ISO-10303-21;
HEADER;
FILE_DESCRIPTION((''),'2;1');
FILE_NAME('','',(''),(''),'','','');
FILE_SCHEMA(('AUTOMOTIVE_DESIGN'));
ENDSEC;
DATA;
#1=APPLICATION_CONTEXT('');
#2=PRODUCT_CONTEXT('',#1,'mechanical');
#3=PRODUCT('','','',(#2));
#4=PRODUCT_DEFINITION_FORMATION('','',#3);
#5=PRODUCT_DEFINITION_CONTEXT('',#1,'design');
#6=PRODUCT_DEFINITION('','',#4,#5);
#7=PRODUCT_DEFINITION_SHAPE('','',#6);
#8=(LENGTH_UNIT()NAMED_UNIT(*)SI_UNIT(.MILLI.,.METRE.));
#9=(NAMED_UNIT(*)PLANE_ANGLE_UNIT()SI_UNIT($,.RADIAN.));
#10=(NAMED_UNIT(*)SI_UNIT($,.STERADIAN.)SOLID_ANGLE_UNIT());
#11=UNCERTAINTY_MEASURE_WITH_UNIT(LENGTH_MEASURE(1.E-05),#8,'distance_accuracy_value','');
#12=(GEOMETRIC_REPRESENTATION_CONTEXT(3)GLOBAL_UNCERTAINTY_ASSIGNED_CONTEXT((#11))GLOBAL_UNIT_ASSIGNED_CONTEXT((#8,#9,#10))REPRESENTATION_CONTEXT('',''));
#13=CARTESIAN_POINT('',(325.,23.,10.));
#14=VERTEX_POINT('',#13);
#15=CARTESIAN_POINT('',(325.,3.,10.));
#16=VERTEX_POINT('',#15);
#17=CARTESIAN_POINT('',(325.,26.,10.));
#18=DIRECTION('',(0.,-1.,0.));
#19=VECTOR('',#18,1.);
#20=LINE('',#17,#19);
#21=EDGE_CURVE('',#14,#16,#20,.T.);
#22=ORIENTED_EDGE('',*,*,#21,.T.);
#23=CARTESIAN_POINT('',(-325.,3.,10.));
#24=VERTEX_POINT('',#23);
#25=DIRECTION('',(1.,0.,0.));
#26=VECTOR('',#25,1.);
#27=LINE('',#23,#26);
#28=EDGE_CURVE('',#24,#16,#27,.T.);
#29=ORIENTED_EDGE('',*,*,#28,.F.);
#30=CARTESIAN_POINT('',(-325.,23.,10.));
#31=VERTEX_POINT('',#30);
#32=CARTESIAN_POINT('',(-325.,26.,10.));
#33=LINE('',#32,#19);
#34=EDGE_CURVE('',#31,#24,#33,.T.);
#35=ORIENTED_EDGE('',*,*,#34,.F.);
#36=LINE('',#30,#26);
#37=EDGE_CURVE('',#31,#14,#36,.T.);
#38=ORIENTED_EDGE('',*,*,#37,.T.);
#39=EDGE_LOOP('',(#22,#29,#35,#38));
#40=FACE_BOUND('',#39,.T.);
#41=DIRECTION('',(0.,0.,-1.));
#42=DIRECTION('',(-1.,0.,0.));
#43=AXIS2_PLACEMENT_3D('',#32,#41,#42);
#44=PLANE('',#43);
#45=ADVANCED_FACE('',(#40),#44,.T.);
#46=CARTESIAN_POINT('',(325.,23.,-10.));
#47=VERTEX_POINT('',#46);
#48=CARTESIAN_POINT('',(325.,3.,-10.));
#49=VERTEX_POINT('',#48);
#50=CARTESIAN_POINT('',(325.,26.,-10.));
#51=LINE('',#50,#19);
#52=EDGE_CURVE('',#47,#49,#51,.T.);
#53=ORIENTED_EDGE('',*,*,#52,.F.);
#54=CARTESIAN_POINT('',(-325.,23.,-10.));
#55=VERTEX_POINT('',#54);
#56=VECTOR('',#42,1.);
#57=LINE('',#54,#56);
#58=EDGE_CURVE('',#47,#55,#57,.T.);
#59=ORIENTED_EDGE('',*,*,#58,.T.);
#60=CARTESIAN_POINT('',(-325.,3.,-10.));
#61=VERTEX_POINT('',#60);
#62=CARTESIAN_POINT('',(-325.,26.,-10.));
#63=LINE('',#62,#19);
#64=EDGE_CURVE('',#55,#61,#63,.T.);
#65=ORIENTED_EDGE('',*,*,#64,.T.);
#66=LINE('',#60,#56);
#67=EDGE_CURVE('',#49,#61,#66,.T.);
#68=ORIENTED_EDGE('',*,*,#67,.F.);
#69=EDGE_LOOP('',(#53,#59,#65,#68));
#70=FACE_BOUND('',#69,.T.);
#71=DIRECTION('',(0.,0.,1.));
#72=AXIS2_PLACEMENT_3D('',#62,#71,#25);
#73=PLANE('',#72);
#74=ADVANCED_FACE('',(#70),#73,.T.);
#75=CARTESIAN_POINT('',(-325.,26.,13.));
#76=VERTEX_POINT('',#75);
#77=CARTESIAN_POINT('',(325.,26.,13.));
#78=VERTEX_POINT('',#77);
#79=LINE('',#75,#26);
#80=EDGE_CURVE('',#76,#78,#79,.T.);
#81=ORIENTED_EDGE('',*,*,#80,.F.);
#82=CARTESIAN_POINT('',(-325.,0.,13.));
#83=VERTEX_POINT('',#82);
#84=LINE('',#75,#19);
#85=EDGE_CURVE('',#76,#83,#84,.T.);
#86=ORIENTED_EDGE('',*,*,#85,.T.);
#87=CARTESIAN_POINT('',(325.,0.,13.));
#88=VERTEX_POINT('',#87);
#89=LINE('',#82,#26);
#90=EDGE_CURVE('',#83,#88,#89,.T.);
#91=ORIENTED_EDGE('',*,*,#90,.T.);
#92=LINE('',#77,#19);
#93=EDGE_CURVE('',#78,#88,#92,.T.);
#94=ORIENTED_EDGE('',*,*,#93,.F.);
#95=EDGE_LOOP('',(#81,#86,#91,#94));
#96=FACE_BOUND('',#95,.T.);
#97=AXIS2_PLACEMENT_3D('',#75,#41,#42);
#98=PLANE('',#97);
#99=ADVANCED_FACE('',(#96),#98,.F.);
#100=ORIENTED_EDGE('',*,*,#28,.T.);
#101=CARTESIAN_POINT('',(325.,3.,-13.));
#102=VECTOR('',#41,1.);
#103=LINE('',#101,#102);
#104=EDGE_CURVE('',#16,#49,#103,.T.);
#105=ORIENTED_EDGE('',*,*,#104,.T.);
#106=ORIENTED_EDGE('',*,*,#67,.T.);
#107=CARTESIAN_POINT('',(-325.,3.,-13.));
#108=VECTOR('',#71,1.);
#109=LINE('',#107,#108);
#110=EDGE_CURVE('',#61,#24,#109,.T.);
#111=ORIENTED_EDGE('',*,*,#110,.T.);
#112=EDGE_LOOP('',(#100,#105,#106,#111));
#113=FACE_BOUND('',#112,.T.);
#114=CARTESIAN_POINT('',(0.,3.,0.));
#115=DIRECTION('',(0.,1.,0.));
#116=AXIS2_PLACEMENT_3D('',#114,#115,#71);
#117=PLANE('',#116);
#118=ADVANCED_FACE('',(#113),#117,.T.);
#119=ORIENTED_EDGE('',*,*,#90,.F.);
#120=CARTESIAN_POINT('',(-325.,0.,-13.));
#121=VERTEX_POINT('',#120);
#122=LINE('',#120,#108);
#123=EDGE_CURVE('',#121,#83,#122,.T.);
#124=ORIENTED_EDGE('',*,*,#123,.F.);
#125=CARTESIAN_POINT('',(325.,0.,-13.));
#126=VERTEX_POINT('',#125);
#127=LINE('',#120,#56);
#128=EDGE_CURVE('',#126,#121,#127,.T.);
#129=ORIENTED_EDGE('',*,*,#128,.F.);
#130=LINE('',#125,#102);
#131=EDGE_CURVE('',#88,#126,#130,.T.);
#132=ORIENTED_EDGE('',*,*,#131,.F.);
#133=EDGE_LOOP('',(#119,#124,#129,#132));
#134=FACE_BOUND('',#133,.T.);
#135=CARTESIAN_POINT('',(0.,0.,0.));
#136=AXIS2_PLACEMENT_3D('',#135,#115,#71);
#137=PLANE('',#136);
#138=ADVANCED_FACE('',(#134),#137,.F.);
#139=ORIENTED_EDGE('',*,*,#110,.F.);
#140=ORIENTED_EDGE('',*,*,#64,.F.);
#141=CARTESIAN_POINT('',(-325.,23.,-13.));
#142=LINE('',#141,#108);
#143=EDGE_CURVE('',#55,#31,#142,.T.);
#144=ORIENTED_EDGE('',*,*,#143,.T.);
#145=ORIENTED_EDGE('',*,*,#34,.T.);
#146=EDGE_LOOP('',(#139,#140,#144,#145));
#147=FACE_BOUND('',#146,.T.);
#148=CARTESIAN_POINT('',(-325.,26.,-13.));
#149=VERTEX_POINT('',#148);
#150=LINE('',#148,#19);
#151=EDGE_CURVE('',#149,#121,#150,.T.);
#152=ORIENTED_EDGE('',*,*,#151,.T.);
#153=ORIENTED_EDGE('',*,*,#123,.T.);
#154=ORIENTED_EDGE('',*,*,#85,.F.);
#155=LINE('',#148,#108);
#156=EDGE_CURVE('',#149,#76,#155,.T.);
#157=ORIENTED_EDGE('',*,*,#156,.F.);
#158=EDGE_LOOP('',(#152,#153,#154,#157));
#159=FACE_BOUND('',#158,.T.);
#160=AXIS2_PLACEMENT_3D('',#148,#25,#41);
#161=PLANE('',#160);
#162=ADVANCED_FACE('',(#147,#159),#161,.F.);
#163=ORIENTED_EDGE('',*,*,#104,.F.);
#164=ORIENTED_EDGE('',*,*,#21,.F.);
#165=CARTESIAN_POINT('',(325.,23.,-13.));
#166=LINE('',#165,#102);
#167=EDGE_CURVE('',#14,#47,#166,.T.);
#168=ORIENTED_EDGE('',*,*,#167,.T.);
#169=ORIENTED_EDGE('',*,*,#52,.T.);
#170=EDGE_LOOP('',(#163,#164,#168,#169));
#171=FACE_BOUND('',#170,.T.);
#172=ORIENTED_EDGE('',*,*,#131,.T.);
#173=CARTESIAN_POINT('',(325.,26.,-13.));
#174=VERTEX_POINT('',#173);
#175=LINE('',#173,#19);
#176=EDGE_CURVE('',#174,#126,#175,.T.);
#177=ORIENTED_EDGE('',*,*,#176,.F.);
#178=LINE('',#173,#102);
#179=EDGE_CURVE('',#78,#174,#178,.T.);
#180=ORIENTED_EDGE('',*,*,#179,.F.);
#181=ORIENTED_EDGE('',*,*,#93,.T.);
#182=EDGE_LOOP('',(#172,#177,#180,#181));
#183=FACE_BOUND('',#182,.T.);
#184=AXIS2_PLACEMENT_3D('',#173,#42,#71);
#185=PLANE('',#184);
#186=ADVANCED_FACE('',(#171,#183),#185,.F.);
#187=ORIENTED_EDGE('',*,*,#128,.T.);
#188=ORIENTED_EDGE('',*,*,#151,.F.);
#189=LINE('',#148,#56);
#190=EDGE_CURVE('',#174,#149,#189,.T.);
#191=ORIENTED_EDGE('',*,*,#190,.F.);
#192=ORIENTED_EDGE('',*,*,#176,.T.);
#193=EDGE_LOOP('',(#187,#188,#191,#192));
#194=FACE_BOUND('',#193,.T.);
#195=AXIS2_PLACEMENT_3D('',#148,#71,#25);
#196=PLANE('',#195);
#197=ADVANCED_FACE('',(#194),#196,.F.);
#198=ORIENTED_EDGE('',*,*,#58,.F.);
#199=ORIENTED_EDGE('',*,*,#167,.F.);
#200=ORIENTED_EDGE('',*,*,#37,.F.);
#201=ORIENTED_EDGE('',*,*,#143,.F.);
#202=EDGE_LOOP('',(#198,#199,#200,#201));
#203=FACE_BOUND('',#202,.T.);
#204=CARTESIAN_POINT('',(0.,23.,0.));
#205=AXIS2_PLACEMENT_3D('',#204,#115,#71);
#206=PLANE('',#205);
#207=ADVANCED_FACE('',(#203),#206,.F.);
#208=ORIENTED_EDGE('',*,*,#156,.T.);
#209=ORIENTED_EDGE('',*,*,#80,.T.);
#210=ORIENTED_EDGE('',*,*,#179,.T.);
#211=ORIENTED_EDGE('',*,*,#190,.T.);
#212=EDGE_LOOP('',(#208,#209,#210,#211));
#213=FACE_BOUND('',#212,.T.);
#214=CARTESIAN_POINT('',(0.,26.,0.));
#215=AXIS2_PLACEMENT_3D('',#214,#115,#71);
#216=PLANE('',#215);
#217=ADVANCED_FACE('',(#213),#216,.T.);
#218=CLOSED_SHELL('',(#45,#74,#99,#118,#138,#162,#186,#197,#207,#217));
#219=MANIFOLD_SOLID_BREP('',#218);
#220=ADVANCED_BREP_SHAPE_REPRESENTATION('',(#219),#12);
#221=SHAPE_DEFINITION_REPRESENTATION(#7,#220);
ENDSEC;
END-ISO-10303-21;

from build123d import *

# Parameters (mm, degrees)
SKETCH1_W           = 650
SKETCH1_H           = 26
BOSS_EXTRUDE1_DEPTH = 26
SHELL1_T            = -3


with BuildPart() as part:
    # Sketch1 → Boss-Extrude1 (new body)
    with BuildSketch(Plane(origin=(0, 0, 0), x_dir=(1, 0, 0), z_dir=(0, 1, 0))):
        Rectangle(SKETCH1_W, SKETCH1_H)
    extrude(amount=BOSS_EXTRUDE1_DEPTH)

    # Shell1
    shell1_openings = [part.faces().sort_by_distance(p)[0] for p in [
        (-325, 13, 0),
        (325, 13, 0),
    ]]
    offset(amount=SHELL1_T, openings=shell1_openings, kind=Kind.INTERSECTION)


solid = part.part
